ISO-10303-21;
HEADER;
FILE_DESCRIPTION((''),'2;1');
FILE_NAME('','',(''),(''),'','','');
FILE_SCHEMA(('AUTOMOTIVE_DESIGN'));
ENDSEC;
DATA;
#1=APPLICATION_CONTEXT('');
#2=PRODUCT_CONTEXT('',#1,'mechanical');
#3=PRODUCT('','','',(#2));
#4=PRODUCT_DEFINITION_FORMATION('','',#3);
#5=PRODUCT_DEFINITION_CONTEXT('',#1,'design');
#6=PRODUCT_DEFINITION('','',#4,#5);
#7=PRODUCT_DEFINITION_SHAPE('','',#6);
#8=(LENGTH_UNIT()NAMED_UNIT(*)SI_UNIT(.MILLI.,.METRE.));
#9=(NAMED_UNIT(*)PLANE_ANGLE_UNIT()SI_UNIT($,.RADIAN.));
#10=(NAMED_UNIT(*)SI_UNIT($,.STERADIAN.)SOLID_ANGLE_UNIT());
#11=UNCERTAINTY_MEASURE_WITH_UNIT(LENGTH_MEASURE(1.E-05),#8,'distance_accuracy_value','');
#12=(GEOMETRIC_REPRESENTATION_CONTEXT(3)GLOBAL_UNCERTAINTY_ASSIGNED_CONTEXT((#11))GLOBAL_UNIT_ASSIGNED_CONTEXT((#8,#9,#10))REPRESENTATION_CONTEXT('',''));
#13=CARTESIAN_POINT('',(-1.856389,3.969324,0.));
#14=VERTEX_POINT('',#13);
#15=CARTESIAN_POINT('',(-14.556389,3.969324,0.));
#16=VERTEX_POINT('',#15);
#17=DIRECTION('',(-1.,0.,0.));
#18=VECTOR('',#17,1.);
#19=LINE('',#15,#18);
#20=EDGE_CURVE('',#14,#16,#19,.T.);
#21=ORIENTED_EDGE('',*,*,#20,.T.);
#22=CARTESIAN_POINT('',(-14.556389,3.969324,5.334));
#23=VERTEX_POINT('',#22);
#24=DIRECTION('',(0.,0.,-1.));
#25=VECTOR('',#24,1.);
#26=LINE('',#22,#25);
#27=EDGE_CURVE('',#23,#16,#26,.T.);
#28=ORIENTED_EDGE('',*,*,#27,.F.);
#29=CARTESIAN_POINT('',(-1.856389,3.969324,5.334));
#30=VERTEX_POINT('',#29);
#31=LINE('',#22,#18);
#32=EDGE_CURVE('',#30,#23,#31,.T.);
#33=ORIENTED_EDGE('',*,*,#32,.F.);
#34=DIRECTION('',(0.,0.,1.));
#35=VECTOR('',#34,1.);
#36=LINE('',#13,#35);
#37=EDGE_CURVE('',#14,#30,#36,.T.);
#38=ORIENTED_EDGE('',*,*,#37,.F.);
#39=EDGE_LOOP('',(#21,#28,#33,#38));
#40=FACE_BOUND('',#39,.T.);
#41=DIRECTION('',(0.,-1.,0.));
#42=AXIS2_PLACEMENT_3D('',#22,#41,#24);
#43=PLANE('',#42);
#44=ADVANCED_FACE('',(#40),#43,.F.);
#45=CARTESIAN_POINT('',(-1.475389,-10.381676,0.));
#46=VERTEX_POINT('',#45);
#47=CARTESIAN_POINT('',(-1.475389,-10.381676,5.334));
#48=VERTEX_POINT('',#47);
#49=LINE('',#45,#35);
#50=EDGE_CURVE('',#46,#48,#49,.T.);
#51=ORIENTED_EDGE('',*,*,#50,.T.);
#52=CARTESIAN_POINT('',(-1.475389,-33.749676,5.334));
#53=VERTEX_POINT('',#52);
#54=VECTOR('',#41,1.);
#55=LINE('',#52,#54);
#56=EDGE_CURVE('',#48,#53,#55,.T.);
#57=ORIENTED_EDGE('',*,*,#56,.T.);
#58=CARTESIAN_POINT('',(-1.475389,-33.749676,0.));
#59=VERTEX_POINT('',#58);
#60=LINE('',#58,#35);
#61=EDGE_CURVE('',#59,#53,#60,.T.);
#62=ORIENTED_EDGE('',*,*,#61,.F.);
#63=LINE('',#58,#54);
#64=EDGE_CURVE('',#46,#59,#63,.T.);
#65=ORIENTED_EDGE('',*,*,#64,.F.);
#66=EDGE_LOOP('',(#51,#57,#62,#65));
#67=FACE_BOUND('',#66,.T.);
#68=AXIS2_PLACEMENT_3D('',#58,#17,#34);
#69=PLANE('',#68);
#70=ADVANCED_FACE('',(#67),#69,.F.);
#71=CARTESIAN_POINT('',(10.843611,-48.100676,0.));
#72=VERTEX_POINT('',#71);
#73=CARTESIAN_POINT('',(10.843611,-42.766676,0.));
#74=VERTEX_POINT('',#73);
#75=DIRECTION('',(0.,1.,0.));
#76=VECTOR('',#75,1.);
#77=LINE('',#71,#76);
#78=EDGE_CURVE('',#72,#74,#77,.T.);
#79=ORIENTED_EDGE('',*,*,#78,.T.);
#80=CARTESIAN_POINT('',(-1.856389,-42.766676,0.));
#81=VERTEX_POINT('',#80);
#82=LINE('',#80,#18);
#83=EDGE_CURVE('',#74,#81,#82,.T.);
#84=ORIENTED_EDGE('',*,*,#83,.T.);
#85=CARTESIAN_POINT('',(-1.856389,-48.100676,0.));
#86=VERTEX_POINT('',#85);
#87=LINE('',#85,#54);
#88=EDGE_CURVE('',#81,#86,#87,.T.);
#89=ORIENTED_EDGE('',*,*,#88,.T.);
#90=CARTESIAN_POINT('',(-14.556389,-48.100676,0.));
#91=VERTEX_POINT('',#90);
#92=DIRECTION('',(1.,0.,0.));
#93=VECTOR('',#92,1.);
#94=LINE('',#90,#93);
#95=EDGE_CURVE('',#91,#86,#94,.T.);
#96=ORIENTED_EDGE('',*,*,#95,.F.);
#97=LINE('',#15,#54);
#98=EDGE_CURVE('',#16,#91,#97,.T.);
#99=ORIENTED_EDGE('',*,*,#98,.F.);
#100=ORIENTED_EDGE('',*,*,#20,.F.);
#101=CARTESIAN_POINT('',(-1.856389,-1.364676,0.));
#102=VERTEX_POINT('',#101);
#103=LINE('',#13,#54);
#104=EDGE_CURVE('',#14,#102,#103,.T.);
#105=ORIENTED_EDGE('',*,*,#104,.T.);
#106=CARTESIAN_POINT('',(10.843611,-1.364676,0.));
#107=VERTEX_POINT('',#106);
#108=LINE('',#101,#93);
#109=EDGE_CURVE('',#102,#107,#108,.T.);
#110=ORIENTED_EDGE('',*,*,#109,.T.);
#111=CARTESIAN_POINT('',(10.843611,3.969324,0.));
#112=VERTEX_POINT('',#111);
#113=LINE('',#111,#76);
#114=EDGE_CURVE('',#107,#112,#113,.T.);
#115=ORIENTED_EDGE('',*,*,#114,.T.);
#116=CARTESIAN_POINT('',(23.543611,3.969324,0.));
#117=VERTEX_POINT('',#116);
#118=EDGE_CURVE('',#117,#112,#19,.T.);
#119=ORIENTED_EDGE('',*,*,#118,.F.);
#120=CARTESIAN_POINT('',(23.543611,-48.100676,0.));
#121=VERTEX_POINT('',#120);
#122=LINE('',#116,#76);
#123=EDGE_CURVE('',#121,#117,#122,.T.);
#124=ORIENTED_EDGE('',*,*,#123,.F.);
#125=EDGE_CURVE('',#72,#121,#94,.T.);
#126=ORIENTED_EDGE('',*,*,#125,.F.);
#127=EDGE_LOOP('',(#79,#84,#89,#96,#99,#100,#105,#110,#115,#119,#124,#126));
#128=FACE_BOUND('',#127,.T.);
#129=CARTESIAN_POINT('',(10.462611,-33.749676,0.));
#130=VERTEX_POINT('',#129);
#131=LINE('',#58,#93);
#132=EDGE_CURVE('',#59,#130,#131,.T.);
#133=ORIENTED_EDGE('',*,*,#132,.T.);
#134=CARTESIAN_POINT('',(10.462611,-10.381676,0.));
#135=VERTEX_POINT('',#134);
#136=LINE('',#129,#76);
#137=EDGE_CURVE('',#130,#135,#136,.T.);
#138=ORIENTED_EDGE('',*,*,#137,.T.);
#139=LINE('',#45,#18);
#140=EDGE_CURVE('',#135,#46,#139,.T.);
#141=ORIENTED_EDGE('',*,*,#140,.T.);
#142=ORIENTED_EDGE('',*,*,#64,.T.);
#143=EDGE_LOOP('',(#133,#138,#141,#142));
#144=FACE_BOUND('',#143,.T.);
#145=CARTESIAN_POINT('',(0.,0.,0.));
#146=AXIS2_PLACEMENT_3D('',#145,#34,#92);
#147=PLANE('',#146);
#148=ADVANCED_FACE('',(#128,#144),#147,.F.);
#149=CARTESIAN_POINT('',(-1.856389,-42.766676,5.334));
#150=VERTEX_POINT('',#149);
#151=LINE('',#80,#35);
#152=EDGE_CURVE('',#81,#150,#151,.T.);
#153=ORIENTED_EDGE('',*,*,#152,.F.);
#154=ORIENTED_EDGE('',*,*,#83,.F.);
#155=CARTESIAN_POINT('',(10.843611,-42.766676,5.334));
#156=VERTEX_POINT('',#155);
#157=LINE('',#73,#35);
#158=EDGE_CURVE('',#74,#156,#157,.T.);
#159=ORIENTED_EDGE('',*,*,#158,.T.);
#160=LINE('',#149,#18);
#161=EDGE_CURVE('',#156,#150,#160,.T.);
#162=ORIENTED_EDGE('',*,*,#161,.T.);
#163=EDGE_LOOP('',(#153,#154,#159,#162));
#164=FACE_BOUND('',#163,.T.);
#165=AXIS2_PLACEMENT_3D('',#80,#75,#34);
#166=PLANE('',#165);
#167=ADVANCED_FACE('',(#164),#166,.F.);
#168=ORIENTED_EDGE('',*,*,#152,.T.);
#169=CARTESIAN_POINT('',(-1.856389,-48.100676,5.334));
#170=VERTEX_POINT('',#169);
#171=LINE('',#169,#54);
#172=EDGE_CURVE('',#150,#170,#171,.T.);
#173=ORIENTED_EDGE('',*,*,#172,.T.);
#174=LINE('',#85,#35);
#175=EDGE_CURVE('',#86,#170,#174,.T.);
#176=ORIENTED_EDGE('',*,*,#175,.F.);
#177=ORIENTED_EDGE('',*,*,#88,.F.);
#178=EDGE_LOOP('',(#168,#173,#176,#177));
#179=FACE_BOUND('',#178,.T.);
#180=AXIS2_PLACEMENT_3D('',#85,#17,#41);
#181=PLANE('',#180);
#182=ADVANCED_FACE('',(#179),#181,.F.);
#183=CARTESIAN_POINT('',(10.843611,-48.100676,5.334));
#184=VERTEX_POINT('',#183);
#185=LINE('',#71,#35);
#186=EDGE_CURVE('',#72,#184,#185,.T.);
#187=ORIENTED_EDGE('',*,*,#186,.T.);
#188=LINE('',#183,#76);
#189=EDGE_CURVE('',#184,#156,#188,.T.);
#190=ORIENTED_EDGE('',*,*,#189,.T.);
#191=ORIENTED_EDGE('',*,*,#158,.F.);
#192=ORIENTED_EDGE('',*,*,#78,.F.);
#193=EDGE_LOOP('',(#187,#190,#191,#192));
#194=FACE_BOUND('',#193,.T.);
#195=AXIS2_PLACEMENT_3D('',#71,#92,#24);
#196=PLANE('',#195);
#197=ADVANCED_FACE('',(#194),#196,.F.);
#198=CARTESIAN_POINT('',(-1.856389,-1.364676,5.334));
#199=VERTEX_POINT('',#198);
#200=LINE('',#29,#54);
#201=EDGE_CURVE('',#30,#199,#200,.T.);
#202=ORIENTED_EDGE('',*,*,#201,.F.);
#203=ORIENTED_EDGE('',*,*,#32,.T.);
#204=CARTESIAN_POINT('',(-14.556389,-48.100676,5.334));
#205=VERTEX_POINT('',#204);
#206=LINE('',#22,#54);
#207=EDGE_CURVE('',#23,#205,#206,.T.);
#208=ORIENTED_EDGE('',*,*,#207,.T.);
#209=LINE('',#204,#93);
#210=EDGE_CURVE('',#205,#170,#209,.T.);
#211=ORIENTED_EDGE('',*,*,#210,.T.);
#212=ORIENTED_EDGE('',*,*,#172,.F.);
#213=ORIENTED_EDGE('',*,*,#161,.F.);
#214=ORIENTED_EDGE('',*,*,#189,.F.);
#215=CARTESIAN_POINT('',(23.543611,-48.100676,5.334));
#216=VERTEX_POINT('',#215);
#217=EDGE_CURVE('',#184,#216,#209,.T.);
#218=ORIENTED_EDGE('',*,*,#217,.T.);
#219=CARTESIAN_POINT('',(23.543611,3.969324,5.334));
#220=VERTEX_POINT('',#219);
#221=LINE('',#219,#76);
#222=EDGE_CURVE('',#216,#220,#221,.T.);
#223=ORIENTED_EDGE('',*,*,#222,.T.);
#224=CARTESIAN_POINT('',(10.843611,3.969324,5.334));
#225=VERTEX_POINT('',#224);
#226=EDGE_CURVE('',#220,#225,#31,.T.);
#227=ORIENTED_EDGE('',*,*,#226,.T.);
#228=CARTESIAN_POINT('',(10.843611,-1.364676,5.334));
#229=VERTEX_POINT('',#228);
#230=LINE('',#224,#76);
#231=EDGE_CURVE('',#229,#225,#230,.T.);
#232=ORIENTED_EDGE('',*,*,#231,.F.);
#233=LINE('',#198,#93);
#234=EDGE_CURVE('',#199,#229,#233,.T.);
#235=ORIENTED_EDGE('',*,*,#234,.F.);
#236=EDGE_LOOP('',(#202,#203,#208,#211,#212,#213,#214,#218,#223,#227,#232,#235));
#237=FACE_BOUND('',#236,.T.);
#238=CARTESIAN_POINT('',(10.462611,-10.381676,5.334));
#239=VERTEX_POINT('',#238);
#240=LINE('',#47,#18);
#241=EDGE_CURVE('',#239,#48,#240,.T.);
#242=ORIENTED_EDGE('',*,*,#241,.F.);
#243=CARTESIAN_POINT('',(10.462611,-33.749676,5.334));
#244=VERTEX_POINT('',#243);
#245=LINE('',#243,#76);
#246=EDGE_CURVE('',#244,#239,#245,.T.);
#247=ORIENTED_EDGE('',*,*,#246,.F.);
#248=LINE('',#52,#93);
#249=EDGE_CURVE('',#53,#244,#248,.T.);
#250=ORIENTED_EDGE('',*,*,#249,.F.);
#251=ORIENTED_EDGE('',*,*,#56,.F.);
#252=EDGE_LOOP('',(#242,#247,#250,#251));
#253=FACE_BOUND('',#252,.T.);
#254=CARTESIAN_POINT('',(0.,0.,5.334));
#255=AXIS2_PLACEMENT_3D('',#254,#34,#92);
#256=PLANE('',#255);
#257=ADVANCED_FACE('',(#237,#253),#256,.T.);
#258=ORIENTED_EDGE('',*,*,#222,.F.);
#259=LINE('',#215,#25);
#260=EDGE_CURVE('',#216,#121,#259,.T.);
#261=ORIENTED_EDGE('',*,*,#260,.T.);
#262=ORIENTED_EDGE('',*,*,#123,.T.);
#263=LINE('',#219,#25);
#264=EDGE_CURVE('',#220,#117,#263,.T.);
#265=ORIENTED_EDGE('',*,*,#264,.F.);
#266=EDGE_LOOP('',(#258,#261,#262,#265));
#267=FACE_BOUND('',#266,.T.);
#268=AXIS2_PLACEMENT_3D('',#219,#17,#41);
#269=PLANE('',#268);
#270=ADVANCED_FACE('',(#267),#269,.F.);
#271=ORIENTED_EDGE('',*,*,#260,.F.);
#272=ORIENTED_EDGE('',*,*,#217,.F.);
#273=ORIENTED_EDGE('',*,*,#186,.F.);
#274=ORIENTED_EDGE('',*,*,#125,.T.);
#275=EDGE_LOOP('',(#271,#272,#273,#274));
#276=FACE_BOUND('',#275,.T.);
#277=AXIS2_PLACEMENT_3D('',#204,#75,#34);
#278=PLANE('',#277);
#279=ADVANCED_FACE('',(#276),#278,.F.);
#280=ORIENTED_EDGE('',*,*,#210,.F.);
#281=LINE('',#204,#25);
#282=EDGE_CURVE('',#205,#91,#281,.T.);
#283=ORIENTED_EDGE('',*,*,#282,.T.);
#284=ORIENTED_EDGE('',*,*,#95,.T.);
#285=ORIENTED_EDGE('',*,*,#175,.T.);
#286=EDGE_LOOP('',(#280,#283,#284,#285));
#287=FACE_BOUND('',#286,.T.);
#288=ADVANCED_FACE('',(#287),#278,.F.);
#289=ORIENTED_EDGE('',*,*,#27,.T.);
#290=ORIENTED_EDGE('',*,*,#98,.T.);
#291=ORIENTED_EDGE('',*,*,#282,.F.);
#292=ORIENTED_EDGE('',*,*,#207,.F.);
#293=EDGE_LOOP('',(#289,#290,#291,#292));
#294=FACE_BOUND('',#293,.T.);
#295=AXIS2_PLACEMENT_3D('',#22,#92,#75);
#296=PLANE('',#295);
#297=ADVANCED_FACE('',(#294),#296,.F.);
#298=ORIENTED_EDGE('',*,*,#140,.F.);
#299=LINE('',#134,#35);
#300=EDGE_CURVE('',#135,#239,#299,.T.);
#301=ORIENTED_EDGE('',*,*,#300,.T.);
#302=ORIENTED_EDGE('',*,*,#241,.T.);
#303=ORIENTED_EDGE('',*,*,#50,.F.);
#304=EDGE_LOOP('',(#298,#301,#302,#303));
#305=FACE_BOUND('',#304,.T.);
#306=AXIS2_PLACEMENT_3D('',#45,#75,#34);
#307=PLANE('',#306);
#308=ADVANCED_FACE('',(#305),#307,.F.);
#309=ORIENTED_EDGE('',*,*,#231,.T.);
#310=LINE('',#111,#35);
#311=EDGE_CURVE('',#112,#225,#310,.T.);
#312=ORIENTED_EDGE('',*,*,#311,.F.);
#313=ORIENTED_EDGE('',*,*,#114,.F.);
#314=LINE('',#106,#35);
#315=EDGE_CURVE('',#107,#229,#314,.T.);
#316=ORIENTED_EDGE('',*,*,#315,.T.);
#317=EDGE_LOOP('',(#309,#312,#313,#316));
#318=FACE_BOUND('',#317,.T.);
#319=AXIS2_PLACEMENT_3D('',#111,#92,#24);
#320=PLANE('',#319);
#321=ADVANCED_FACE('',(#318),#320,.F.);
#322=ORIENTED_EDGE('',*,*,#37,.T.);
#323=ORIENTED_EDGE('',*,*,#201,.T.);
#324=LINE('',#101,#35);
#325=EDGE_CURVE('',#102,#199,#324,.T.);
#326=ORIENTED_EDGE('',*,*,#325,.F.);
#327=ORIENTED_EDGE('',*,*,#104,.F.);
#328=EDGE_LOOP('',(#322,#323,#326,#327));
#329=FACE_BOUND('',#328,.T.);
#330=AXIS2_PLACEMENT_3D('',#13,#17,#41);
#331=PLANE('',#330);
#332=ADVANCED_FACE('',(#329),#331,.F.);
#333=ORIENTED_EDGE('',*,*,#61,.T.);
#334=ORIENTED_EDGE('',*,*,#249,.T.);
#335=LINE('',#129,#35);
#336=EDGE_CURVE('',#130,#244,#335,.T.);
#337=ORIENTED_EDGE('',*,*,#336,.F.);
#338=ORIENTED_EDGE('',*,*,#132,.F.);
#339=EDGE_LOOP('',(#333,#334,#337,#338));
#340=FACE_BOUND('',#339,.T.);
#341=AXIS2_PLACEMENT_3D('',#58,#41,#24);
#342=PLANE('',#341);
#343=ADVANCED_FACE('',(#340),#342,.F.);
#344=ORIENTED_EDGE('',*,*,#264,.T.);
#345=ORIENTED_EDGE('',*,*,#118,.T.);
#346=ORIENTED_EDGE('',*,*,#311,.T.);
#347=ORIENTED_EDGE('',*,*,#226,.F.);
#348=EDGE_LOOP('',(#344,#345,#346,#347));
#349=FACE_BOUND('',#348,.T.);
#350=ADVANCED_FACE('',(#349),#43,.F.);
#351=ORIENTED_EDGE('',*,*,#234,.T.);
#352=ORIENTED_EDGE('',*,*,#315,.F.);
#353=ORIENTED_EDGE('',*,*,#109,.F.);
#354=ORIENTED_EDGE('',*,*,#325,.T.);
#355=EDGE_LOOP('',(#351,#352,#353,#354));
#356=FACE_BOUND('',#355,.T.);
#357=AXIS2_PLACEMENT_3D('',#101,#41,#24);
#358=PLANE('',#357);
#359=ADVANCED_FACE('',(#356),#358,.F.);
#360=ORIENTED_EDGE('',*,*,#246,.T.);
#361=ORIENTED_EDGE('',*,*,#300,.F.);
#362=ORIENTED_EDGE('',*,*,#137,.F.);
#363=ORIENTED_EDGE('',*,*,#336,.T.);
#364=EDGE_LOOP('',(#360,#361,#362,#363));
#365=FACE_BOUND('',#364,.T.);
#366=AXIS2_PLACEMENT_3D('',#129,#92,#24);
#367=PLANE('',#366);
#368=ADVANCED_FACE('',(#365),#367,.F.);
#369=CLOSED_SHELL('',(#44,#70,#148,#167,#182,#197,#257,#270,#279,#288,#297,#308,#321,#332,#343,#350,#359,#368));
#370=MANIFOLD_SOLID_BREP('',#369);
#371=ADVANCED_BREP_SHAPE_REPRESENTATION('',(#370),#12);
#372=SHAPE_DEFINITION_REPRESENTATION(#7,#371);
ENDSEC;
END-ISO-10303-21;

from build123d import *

# Parameters (mm, degrees)
SKETCH1_W           = 38.1
SKETCH1_H           = 52.07
BOSS_EXTRUDE1_DEPTH = 5.334
SKETCH2_W           = 11.938
SKETCH2_H           = 23.368
CUT_EXTRUDE1_DEPTH  = 54.818475018
SKETCH3_W           = 12.7
SKETCH3_H           = 5.334
CUT_EXTRUDE2_DEPTH  = 54.818475018


with BuildPart() as part:
    # Sketch1 → Boss-Extrude1 (new body)
    with BuildSketch(Plane.XY):
        with Locations((4.493611175, -22.065676399)):
            Rectangle(SKETCH1_W, SKETCH1_H)
    extrude(amount=BOSS_EXTRUDE1_DEPTH)

    # Sketch2 → Cut-Extrude1 (cut, through all)
    with BuildSketch(Plane.XY.offset(5.334)):
        with Locations((4.493611175, -22.065676399)):
            Rectangle(SKETCH2_W, SKETCH2_H)
    extrude(amount=-CUT_EXTRUDE1_DEPTH, mode=Mode.SUBTRACT)

    # Sketch3 → Cut-Extrude2 (cut, through all)
    with BuildSketch(Plane.XY.offset(5.334)):
        with Locations((4.493611175, 1.302323601)):
            Rectangle(SKETCH3_W, SKETCH3_H)
        with Locations((4.493611175, -45.433676399)):
            Rectangle(SKETCH3_W, SKETCH3_H)
    extrude(amount=-CUT_EXTRUDE2_DEPTH, mode=Mode.SUBTRACT)


solid = part.part
